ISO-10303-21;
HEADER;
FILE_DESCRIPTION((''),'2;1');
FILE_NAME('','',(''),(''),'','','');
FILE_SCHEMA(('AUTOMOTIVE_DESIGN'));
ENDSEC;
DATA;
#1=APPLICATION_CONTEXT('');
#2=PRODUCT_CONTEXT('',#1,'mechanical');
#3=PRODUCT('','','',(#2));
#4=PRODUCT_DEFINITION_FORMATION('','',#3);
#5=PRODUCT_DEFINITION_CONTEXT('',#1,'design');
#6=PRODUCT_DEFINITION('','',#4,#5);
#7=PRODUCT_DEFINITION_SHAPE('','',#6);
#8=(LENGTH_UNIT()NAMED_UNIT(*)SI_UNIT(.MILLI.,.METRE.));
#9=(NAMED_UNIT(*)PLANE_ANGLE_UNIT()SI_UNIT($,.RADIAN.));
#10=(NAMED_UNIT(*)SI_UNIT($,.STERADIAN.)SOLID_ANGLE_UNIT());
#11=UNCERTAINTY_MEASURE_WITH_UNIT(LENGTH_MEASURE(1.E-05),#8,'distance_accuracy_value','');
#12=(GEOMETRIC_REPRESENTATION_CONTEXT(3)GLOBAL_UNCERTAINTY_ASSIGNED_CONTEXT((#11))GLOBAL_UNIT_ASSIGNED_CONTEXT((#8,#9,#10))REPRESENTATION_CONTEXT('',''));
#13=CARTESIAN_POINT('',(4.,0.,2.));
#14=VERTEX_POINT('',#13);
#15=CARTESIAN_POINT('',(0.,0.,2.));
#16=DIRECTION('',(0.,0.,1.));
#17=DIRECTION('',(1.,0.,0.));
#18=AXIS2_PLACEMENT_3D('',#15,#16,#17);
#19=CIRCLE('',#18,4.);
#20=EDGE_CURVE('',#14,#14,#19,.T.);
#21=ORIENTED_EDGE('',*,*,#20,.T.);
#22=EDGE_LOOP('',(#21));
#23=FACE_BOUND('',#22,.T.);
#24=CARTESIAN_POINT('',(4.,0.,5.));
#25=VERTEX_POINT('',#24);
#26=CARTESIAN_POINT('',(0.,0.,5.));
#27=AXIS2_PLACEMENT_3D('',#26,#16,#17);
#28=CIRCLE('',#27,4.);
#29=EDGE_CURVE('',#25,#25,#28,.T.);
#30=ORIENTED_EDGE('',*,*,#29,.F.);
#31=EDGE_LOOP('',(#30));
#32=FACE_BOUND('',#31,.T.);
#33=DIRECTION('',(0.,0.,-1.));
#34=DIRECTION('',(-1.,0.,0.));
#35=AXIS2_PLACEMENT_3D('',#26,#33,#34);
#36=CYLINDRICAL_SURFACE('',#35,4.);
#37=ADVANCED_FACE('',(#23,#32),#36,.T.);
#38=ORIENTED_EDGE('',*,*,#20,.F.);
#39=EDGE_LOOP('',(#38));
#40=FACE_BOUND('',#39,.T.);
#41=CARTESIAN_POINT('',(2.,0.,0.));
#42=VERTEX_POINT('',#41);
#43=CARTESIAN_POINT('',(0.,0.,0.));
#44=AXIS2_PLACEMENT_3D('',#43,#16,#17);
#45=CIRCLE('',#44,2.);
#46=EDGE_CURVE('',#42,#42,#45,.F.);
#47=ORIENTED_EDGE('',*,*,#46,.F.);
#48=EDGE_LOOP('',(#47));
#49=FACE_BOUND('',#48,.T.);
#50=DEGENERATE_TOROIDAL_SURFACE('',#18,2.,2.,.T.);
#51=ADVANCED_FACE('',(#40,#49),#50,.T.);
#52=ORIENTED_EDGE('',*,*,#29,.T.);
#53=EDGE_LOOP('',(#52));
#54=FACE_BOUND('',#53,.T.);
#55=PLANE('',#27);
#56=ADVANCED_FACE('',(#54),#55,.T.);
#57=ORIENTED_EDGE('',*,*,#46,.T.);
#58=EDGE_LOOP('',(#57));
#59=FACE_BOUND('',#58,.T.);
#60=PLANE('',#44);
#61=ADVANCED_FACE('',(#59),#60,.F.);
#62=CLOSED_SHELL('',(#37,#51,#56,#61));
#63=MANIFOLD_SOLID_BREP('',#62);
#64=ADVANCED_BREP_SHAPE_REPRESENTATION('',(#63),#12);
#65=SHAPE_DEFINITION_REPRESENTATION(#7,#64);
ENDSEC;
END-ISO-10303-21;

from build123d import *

# Parameters (mm, degrees)
SKETCH2_R           = 4
BOSS_EXTRUDE1_DEPTH = 5
FILLET2_R           = 2


with BuildPart() as part:
    # Sketch2 → Boss-Extrude1 (new body)
    with BuildSketch(Plane.XY):
        Circle(SKETCH2_R)
    extrude(amount=BOSS_EXTRUDE1_DEPTH)

    # Fillet2
    fillet2_edges = [part.edges().sort_by_distance(p)[0] for p in [
        (-4, 0, 0),
    ]]
    fillet(fillet2_edges, radius=FILLET2_R)


solid = part.part
